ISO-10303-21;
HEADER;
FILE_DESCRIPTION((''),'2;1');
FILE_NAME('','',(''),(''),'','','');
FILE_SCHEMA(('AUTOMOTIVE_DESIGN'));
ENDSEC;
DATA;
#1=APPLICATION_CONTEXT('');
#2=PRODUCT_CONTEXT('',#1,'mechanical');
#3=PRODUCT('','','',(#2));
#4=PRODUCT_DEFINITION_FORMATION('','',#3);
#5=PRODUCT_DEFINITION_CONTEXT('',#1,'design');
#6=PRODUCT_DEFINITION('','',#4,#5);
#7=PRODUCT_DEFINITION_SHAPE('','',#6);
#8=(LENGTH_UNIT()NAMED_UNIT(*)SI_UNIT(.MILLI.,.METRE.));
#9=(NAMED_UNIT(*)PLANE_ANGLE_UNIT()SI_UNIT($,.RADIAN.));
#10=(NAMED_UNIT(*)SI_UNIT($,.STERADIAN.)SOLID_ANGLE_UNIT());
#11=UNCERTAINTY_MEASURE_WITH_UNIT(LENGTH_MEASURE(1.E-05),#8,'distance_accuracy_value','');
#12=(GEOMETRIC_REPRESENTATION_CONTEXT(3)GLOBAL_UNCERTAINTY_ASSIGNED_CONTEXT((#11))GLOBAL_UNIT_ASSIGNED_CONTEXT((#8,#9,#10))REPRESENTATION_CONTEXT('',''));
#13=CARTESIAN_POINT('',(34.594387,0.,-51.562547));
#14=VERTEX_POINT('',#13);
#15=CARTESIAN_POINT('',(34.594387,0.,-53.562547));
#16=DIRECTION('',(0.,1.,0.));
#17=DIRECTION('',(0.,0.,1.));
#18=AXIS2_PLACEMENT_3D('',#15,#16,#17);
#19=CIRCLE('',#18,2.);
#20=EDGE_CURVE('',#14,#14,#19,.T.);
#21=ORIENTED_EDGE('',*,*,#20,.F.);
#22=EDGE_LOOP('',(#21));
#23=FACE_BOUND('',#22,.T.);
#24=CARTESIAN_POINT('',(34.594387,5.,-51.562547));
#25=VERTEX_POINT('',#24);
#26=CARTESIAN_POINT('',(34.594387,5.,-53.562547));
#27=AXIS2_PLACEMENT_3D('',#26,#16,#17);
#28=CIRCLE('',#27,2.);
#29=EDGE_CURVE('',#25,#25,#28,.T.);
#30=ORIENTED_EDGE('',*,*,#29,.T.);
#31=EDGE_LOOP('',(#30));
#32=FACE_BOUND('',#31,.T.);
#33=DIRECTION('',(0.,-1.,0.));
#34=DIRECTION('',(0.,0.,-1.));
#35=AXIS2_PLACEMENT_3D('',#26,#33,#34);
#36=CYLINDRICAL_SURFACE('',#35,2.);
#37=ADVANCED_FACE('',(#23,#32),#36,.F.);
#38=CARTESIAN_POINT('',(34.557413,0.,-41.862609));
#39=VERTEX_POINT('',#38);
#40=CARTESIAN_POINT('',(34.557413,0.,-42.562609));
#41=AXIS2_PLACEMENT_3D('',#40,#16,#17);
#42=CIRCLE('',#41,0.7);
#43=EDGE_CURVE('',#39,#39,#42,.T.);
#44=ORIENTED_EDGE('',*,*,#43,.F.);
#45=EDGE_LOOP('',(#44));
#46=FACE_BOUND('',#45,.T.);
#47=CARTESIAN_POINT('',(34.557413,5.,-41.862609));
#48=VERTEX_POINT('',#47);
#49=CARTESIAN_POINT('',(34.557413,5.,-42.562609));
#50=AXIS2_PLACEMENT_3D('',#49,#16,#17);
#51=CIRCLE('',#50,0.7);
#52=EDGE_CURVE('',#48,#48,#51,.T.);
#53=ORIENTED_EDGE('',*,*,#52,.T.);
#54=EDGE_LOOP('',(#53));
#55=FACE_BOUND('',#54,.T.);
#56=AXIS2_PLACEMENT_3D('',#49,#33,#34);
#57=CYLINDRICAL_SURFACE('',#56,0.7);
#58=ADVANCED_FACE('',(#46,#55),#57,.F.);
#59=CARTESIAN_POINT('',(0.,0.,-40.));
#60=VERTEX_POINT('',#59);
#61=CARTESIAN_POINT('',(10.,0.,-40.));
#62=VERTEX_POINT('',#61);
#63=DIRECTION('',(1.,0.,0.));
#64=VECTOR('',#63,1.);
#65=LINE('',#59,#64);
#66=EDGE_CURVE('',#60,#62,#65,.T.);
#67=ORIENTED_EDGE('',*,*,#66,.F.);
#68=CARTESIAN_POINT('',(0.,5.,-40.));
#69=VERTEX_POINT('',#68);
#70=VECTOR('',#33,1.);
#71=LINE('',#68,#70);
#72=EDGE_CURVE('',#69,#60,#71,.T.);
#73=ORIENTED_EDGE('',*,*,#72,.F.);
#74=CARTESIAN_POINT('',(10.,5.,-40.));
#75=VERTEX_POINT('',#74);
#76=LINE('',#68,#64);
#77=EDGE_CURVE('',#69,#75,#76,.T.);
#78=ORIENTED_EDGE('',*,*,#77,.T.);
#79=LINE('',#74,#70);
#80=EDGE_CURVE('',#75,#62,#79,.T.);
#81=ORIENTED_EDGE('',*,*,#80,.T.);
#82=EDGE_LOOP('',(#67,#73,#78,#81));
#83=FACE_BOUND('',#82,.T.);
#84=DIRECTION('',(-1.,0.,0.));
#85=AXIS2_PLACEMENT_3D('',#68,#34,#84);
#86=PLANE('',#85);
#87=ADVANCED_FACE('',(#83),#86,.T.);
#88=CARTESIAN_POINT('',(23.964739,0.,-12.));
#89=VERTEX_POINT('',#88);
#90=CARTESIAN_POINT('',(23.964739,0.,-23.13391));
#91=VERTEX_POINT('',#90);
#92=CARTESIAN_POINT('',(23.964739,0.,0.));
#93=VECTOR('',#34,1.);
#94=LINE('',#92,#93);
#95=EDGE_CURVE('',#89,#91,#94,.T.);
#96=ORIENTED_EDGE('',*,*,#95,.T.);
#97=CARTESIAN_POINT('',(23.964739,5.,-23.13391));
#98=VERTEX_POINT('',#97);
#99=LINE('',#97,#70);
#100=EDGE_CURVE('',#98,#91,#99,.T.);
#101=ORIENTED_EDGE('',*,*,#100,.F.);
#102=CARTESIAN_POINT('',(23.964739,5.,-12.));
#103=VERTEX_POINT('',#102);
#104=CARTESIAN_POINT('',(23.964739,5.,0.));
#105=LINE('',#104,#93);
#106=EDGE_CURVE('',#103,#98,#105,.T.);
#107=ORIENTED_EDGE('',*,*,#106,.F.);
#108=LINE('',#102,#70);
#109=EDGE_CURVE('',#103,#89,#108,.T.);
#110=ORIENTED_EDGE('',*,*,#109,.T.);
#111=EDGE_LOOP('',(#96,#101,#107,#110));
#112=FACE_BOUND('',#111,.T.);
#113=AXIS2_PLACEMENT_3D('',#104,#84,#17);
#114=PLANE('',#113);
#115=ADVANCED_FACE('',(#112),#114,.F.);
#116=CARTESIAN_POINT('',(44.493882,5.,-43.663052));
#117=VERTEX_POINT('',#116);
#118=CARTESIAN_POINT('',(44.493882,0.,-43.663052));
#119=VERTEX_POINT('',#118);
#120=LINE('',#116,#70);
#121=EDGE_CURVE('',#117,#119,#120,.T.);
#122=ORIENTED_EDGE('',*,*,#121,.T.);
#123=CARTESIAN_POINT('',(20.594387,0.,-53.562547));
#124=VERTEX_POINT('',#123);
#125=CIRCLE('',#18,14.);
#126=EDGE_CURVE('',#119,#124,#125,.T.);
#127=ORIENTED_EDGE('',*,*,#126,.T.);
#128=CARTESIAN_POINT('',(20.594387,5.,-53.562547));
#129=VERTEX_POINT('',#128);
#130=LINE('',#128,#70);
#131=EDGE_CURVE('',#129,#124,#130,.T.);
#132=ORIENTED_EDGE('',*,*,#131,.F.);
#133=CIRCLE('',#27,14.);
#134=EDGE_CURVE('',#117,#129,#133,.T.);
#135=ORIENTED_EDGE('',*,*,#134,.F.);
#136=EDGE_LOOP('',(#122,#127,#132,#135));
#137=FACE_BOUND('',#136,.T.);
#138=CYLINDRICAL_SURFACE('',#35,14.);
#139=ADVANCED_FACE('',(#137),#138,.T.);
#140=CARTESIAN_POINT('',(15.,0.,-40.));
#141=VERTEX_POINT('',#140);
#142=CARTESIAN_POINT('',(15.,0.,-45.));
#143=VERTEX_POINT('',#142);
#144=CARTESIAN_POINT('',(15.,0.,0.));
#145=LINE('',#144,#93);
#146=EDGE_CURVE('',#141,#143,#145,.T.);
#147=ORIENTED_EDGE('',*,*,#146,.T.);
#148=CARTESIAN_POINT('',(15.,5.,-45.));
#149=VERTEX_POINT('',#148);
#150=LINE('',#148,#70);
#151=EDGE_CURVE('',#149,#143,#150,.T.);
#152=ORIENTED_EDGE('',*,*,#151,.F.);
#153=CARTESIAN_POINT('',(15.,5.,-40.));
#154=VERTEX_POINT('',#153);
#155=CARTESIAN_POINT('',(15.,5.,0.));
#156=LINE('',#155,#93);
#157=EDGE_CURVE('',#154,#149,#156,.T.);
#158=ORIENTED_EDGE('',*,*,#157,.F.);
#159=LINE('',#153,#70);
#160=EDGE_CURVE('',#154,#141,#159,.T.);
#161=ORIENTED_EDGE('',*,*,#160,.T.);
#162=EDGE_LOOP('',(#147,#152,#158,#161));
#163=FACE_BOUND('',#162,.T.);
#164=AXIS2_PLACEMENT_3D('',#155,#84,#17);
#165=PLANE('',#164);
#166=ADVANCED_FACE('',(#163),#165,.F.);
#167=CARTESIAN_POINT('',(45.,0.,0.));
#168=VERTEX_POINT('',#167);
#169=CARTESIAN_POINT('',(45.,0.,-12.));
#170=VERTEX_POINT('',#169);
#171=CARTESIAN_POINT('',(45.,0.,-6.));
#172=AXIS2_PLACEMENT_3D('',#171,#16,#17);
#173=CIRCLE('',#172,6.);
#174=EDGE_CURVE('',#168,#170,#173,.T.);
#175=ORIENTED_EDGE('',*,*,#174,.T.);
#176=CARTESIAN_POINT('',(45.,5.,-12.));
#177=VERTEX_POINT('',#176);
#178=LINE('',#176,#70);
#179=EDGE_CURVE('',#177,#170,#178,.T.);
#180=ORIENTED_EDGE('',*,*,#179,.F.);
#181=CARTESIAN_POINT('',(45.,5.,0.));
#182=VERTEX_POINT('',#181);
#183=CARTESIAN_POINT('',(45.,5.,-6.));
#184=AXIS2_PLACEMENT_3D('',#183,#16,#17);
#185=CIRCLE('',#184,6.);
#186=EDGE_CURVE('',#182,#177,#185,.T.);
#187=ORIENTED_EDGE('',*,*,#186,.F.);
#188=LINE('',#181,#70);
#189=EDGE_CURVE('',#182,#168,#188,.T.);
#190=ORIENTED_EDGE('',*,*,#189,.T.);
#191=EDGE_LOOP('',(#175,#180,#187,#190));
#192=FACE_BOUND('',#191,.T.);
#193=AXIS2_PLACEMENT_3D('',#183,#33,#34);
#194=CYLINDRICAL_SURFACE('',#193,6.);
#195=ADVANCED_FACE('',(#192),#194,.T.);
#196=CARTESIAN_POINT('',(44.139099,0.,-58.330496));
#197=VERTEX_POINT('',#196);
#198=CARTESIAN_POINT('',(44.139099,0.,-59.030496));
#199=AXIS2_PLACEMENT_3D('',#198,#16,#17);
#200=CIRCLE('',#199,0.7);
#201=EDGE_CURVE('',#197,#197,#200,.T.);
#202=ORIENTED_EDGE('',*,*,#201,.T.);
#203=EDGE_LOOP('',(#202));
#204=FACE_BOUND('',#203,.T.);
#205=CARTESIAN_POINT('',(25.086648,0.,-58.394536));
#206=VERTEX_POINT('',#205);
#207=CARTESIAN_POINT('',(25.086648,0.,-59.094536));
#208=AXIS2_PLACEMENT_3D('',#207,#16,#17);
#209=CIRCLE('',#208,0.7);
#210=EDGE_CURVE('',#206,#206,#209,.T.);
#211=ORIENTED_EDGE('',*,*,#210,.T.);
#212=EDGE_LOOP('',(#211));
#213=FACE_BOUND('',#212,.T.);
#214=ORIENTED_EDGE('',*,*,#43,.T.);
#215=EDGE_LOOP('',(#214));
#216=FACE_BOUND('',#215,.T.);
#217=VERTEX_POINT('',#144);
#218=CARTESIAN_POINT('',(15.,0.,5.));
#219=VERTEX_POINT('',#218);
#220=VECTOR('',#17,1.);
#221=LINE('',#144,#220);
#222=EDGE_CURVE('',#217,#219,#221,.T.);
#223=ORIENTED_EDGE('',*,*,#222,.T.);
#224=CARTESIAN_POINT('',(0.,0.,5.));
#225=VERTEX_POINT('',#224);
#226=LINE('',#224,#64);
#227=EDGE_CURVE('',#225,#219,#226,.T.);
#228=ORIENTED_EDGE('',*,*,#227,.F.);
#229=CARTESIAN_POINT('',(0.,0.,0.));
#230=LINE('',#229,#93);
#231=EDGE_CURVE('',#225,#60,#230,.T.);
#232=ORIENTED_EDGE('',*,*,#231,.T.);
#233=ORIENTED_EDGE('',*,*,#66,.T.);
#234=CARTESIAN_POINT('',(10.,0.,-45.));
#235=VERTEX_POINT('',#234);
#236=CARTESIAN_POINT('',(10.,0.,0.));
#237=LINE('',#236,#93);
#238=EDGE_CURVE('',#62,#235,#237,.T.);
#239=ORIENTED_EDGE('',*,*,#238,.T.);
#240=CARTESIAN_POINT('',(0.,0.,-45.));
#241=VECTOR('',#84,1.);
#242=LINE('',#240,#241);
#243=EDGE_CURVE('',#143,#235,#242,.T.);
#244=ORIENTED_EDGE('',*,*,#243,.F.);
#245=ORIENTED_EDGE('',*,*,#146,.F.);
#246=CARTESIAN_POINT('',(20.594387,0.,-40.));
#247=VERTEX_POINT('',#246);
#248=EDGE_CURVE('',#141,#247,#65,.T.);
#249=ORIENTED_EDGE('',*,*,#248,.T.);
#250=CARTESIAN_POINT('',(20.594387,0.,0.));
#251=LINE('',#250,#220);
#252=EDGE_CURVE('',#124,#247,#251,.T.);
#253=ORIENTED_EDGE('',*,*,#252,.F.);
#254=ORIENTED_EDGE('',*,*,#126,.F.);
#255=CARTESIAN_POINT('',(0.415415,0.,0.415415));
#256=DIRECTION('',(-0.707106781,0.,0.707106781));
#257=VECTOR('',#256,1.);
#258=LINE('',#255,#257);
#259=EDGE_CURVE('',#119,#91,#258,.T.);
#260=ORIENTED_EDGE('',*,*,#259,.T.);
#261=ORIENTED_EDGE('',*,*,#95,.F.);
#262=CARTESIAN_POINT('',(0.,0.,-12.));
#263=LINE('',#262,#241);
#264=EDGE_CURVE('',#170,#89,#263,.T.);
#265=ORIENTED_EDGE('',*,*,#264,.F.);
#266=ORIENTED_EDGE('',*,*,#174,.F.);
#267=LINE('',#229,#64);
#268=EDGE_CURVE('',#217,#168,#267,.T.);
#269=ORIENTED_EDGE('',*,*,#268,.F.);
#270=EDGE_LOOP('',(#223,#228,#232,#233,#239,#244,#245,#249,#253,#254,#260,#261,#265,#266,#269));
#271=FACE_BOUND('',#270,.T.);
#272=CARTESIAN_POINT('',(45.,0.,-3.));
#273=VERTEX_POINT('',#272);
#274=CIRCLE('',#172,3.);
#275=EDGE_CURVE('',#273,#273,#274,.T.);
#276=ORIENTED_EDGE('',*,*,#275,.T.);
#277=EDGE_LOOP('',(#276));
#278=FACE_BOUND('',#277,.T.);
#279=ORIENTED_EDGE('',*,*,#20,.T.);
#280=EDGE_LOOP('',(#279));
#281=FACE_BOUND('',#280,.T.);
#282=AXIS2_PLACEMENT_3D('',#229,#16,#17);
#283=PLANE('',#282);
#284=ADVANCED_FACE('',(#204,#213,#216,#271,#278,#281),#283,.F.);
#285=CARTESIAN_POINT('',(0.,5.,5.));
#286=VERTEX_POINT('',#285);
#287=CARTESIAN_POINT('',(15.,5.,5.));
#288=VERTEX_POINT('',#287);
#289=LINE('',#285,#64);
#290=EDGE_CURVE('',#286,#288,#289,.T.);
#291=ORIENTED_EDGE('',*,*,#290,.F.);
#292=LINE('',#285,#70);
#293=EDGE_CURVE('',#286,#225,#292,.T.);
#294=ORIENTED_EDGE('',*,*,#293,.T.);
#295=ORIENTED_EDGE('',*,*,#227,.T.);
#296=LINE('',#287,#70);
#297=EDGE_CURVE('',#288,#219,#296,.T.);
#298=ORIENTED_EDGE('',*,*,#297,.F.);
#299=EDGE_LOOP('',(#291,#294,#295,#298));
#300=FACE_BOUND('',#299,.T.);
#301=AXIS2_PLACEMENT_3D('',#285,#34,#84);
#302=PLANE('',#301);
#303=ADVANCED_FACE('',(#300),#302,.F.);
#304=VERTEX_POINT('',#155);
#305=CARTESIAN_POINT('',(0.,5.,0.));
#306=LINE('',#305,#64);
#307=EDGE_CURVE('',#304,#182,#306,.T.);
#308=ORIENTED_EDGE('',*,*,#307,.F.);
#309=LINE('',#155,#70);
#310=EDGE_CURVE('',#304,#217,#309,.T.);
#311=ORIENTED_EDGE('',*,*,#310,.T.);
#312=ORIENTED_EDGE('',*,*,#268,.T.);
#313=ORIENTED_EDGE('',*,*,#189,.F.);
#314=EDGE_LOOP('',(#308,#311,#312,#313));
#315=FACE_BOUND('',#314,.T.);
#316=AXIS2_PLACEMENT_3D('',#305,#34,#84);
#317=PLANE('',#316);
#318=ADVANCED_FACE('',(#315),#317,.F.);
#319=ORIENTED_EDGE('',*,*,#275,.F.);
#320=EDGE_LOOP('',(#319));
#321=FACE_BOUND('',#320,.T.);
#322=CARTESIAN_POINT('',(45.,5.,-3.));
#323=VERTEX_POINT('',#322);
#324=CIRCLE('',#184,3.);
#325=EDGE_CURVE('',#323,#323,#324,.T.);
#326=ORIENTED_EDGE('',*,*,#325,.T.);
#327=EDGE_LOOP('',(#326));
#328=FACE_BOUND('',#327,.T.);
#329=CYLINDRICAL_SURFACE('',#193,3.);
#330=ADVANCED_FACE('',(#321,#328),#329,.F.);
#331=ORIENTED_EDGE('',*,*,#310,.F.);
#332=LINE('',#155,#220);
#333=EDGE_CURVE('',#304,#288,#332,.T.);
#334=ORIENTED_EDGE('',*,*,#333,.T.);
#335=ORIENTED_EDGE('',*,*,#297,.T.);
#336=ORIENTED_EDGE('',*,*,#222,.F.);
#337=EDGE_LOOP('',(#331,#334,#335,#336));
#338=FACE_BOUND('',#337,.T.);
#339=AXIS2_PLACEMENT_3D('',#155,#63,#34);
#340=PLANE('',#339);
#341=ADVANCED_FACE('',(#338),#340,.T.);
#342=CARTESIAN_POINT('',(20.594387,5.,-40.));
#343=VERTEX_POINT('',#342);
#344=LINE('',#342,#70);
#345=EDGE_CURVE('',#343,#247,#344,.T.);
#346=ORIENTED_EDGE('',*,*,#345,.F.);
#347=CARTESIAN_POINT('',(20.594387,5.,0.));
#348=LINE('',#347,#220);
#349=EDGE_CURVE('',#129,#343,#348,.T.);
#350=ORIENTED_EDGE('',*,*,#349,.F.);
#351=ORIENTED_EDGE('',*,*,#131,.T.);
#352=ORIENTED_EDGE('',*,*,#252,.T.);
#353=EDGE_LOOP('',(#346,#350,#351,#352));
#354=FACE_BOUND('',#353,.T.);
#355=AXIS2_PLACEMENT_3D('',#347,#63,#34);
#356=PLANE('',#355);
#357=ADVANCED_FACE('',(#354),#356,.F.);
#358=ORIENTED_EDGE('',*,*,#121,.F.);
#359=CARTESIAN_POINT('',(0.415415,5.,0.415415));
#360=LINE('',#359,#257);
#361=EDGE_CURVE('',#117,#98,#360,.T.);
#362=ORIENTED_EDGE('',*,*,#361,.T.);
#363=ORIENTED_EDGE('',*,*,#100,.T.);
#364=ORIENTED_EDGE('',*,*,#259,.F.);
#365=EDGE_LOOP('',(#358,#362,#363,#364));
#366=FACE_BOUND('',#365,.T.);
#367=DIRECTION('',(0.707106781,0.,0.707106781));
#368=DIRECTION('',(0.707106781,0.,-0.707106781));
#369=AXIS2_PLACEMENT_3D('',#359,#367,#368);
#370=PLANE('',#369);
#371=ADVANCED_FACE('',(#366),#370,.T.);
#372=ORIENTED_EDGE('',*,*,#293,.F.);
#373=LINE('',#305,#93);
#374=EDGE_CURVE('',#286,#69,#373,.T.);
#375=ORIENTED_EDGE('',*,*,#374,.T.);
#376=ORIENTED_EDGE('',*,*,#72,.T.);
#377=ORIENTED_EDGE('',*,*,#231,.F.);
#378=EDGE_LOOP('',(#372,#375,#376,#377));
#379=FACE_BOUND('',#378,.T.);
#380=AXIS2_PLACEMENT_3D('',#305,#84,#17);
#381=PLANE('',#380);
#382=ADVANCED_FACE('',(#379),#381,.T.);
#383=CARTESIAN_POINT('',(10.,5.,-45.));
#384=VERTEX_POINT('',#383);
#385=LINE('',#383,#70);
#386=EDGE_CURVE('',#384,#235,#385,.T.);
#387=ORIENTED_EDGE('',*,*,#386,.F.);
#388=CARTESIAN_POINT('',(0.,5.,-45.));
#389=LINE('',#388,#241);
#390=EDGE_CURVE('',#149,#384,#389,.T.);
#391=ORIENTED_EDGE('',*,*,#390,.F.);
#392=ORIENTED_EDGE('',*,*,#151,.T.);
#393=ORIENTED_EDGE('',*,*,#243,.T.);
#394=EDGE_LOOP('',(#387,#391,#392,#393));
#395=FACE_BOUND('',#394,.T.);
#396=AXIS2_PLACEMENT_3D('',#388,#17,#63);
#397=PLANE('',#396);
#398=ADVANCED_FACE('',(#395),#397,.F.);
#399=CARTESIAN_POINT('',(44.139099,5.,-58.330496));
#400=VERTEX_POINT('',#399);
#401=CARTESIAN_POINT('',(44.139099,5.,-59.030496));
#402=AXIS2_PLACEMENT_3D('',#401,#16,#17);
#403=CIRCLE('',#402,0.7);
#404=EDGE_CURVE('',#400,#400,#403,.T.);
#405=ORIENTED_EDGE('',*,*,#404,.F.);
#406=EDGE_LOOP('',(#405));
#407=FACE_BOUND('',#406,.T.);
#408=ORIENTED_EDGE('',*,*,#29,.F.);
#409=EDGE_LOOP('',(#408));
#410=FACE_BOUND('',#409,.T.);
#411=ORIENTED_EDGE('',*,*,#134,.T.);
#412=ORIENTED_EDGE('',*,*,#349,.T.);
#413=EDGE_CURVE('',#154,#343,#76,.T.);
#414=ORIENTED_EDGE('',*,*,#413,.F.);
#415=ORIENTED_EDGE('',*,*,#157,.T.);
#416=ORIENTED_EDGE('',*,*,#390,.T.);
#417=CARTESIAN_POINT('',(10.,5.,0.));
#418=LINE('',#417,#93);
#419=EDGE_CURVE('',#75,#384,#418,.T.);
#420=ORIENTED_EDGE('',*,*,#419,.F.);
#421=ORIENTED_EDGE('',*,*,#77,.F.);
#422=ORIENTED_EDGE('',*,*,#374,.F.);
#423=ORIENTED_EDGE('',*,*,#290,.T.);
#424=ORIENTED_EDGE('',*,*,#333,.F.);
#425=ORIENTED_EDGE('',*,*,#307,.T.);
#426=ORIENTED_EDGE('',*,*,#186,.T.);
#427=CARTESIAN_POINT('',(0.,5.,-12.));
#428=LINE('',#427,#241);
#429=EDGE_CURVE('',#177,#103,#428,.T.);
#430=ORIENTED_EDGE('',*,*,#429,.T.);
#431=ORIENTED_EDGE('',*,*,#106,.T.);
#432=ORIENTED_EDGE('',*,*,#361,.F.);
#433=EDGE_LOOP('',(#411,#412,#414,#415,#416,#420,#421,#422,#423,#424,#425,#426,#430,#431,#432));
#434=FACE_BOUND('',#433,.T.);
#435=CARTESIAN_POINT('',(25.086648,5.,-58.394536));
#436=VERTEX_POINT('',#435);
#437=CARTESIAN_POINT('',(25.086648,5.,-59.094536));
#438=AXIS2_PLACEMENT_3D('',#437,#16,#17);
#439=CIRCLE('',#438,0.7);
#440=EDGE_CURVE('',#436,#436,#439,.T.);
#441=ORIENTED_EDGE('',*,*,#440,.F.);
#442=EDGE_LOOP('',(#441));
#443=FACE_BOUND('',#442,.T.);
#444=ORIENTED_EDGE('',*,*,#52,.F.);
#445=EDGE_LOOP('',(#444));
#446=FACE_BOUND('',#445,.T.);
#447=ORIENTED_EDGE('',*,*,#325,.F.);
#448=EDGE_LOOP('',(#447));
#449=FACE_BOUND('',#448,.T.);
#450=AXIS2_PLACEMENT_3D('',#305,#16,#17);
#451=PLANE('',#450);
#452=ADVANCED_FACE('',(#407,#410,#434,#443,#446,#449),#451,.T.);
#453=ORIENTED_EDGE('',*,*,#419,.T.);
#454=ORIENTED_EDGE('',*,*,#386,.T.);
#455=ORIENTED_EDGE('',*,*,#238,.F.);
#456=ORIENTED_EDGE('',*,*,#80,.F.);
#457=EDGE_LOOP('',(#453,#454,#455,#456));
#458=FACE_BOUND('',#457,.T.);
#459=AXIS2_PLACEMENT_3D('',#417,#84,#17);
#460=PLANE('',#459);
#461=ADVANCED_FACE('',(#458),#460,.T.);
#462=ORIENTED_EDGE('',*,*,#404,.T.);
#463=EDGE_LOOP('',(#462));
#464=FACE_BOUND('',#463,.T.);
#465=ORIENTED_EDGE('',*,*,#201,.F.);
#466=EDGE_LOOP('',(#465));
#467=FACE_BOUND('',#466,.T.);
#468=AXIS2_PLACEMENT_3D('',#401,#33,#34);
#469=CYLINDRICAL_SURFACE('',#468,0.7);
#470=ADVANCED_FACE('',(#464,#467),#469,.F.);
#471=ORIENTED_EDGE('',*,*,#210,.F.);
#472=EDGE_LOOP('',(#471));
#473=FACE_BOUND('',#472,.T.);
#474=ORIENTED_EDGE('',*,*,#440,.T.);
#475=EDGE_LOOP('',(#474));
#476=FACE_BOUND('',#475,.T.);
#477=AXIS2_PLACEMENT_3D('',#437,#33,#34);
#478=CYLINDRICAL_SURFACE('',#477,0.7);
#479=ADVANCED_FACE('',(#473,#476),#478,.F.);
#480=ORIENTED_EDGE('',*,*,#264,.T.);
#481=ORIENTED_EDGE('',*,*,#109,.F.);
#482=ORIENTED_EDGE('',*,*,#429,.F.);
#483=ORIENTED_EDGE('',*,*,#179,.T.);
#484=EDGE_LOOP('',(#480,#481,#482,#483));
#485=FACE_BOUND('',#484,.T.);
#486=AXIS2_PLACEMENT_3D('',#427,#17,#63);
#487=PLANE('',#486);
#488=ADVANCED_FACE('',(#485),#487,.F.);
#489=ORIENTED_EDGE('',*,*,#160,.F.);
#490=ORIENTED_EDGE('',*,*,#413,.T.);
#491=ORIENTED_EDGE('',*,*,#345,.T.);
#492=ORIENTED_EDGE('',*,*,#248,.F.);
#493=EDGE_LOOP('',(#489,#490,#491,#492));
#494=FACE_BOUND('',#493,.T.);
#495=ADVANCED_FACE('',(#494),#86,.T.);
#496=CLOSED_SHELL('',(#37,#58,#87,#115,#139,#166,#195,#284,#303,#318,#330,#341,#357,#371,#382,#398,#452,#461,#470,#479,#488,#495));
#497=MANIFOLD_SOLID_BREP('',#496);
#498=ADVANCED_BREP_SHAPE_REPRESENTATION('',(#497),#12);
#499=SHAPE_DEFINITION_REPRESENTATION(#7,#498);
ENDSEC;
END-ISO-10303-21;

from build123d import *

# Parameters (mm, degrees)
SKETCH2_R           = 14
SKETCH2_R_2         = 2
SKETCH2_R_3         = 0.7
SKETCH2_W           = 5
SKETCH2_H           = 5
SKETCH2_R_4         = 3
SKETCH2_W_2         = 15
BOSS_EXTRUDE2_DEPTH = 5


with BuildPart() as part:
    # Sketch2 → Boss-Extrude2 (new body)
    # profile 1 of 6: a face of its own
    with BuildSketch(Plane(origin=(0, 0, 0), x_dir=(1, 0, 0), z_dir=(0, 1, 0))):
        with Locations((34.59438676, 53.562546918)):
            Circle(SKETCH2_R)
        with Locations(Location((34.59438676, 53.562546918, 0), (0, 0, 270))):
            Circle(SKETCH2_R_2, mode=Mode.SUBTRACT)
        with Locations(Location((34.557412927, 42.562609058, 0), (0, 0, 270))):
            Circle(SKETCH2_R_3, mode=Mode.SUBTRACT)
        with Locations(Location((25.086648049, 59.094536127, 0), (0, 0, 270))):
            Circle(SKETCH2_R_3, mode=Mode.SUBTRACT)
        with Locations(Location((44.139099303, 59.03049557, 0), (0, 0, 270))):
            Circle(SKETCH2_R_3, mode=Mode.SUBTRACT)
    # profile 2 of 6: a face of its own
    with BuildSketch(Plane(origin=(0, 0, 0), x_dir=(1, 0, 0), z_dir=(0, 1, 0))):
        with BuildLine():
            ThreePointArc((44.493881696, 43.663051982), (29.236818707, 40.628233463), (20.59438676, 53.562546918))
            Line((20.59438676, 53.562546918), (20.59438676, 40))
            Line((20.59438676, 40), (23.964739417, 40))
            Line((23.964739417, 40), (23.964739417, 23.133909702))
            Line((23.964739417, 23.133909702), (27.177730802, 26.346901087))
            Line((27.177730802, 26.346901087), (44.493881696, 43.663051982))
        make_face()
    # profile 3 of 6: a face of its own
    with BuildSketch(Plane(origin=(0, 0, 0), x_dir=(1, 0, 0), z_dir=(0, 1, 0))):
        Polygon((23.964739417, 40), (20.59438676, 40), (15, 40), (10, 40), (0, 40), (0, 0), (15, 0), (23.964739417, 0), (23.964739417, 12), (23.964739417, 23.133909702), align=None)
    # profile 4 of 6: a face of its own
    with BuildSketch(Plane(origin=(0, 0, 0), x_dir=(1, 0, 0), z_dir=(0, 1, 0))):
        with Locations((12.5, 42.5)):
            Rectangle(SKETCH2_W, SKETCH2_H)
    # profile 5 of 6: a face of its own
    with BuildSketch(Plane(origin=(0, 0, 0), x_dir=(1, 0, 0), z_dir=(0, 1, 0))):
        with BuildLine():
            Line((45, 12), (23.964739417, 12))
            Line((23.964739417, 12), (23.964739417, 0))
            Line((23.964739417, 0), (45, 0))
            ThreePointArc((45, 0), (51, 6), (45, 12))
        make_face()
        with Locations(Location((45, 6, 0), (0, 0, 270))):
            Circle(SKETCH2_R_4, mode=Mode.SUBTRACT)
    # profile 6 of 6: a face of its own
    with BuildSketch(Plane(origin=(0, 0, 0), x_dir=(1, 0, 0), z_dir=(0, 1, 0))):
        with Locations((7.5, -2.5)):
            Rectangle(SKETCH2_W_2, SKETCH2_H)
    extrude(amount=BOSS_EXTRUDE2_DEPTH)


solid = part.part
